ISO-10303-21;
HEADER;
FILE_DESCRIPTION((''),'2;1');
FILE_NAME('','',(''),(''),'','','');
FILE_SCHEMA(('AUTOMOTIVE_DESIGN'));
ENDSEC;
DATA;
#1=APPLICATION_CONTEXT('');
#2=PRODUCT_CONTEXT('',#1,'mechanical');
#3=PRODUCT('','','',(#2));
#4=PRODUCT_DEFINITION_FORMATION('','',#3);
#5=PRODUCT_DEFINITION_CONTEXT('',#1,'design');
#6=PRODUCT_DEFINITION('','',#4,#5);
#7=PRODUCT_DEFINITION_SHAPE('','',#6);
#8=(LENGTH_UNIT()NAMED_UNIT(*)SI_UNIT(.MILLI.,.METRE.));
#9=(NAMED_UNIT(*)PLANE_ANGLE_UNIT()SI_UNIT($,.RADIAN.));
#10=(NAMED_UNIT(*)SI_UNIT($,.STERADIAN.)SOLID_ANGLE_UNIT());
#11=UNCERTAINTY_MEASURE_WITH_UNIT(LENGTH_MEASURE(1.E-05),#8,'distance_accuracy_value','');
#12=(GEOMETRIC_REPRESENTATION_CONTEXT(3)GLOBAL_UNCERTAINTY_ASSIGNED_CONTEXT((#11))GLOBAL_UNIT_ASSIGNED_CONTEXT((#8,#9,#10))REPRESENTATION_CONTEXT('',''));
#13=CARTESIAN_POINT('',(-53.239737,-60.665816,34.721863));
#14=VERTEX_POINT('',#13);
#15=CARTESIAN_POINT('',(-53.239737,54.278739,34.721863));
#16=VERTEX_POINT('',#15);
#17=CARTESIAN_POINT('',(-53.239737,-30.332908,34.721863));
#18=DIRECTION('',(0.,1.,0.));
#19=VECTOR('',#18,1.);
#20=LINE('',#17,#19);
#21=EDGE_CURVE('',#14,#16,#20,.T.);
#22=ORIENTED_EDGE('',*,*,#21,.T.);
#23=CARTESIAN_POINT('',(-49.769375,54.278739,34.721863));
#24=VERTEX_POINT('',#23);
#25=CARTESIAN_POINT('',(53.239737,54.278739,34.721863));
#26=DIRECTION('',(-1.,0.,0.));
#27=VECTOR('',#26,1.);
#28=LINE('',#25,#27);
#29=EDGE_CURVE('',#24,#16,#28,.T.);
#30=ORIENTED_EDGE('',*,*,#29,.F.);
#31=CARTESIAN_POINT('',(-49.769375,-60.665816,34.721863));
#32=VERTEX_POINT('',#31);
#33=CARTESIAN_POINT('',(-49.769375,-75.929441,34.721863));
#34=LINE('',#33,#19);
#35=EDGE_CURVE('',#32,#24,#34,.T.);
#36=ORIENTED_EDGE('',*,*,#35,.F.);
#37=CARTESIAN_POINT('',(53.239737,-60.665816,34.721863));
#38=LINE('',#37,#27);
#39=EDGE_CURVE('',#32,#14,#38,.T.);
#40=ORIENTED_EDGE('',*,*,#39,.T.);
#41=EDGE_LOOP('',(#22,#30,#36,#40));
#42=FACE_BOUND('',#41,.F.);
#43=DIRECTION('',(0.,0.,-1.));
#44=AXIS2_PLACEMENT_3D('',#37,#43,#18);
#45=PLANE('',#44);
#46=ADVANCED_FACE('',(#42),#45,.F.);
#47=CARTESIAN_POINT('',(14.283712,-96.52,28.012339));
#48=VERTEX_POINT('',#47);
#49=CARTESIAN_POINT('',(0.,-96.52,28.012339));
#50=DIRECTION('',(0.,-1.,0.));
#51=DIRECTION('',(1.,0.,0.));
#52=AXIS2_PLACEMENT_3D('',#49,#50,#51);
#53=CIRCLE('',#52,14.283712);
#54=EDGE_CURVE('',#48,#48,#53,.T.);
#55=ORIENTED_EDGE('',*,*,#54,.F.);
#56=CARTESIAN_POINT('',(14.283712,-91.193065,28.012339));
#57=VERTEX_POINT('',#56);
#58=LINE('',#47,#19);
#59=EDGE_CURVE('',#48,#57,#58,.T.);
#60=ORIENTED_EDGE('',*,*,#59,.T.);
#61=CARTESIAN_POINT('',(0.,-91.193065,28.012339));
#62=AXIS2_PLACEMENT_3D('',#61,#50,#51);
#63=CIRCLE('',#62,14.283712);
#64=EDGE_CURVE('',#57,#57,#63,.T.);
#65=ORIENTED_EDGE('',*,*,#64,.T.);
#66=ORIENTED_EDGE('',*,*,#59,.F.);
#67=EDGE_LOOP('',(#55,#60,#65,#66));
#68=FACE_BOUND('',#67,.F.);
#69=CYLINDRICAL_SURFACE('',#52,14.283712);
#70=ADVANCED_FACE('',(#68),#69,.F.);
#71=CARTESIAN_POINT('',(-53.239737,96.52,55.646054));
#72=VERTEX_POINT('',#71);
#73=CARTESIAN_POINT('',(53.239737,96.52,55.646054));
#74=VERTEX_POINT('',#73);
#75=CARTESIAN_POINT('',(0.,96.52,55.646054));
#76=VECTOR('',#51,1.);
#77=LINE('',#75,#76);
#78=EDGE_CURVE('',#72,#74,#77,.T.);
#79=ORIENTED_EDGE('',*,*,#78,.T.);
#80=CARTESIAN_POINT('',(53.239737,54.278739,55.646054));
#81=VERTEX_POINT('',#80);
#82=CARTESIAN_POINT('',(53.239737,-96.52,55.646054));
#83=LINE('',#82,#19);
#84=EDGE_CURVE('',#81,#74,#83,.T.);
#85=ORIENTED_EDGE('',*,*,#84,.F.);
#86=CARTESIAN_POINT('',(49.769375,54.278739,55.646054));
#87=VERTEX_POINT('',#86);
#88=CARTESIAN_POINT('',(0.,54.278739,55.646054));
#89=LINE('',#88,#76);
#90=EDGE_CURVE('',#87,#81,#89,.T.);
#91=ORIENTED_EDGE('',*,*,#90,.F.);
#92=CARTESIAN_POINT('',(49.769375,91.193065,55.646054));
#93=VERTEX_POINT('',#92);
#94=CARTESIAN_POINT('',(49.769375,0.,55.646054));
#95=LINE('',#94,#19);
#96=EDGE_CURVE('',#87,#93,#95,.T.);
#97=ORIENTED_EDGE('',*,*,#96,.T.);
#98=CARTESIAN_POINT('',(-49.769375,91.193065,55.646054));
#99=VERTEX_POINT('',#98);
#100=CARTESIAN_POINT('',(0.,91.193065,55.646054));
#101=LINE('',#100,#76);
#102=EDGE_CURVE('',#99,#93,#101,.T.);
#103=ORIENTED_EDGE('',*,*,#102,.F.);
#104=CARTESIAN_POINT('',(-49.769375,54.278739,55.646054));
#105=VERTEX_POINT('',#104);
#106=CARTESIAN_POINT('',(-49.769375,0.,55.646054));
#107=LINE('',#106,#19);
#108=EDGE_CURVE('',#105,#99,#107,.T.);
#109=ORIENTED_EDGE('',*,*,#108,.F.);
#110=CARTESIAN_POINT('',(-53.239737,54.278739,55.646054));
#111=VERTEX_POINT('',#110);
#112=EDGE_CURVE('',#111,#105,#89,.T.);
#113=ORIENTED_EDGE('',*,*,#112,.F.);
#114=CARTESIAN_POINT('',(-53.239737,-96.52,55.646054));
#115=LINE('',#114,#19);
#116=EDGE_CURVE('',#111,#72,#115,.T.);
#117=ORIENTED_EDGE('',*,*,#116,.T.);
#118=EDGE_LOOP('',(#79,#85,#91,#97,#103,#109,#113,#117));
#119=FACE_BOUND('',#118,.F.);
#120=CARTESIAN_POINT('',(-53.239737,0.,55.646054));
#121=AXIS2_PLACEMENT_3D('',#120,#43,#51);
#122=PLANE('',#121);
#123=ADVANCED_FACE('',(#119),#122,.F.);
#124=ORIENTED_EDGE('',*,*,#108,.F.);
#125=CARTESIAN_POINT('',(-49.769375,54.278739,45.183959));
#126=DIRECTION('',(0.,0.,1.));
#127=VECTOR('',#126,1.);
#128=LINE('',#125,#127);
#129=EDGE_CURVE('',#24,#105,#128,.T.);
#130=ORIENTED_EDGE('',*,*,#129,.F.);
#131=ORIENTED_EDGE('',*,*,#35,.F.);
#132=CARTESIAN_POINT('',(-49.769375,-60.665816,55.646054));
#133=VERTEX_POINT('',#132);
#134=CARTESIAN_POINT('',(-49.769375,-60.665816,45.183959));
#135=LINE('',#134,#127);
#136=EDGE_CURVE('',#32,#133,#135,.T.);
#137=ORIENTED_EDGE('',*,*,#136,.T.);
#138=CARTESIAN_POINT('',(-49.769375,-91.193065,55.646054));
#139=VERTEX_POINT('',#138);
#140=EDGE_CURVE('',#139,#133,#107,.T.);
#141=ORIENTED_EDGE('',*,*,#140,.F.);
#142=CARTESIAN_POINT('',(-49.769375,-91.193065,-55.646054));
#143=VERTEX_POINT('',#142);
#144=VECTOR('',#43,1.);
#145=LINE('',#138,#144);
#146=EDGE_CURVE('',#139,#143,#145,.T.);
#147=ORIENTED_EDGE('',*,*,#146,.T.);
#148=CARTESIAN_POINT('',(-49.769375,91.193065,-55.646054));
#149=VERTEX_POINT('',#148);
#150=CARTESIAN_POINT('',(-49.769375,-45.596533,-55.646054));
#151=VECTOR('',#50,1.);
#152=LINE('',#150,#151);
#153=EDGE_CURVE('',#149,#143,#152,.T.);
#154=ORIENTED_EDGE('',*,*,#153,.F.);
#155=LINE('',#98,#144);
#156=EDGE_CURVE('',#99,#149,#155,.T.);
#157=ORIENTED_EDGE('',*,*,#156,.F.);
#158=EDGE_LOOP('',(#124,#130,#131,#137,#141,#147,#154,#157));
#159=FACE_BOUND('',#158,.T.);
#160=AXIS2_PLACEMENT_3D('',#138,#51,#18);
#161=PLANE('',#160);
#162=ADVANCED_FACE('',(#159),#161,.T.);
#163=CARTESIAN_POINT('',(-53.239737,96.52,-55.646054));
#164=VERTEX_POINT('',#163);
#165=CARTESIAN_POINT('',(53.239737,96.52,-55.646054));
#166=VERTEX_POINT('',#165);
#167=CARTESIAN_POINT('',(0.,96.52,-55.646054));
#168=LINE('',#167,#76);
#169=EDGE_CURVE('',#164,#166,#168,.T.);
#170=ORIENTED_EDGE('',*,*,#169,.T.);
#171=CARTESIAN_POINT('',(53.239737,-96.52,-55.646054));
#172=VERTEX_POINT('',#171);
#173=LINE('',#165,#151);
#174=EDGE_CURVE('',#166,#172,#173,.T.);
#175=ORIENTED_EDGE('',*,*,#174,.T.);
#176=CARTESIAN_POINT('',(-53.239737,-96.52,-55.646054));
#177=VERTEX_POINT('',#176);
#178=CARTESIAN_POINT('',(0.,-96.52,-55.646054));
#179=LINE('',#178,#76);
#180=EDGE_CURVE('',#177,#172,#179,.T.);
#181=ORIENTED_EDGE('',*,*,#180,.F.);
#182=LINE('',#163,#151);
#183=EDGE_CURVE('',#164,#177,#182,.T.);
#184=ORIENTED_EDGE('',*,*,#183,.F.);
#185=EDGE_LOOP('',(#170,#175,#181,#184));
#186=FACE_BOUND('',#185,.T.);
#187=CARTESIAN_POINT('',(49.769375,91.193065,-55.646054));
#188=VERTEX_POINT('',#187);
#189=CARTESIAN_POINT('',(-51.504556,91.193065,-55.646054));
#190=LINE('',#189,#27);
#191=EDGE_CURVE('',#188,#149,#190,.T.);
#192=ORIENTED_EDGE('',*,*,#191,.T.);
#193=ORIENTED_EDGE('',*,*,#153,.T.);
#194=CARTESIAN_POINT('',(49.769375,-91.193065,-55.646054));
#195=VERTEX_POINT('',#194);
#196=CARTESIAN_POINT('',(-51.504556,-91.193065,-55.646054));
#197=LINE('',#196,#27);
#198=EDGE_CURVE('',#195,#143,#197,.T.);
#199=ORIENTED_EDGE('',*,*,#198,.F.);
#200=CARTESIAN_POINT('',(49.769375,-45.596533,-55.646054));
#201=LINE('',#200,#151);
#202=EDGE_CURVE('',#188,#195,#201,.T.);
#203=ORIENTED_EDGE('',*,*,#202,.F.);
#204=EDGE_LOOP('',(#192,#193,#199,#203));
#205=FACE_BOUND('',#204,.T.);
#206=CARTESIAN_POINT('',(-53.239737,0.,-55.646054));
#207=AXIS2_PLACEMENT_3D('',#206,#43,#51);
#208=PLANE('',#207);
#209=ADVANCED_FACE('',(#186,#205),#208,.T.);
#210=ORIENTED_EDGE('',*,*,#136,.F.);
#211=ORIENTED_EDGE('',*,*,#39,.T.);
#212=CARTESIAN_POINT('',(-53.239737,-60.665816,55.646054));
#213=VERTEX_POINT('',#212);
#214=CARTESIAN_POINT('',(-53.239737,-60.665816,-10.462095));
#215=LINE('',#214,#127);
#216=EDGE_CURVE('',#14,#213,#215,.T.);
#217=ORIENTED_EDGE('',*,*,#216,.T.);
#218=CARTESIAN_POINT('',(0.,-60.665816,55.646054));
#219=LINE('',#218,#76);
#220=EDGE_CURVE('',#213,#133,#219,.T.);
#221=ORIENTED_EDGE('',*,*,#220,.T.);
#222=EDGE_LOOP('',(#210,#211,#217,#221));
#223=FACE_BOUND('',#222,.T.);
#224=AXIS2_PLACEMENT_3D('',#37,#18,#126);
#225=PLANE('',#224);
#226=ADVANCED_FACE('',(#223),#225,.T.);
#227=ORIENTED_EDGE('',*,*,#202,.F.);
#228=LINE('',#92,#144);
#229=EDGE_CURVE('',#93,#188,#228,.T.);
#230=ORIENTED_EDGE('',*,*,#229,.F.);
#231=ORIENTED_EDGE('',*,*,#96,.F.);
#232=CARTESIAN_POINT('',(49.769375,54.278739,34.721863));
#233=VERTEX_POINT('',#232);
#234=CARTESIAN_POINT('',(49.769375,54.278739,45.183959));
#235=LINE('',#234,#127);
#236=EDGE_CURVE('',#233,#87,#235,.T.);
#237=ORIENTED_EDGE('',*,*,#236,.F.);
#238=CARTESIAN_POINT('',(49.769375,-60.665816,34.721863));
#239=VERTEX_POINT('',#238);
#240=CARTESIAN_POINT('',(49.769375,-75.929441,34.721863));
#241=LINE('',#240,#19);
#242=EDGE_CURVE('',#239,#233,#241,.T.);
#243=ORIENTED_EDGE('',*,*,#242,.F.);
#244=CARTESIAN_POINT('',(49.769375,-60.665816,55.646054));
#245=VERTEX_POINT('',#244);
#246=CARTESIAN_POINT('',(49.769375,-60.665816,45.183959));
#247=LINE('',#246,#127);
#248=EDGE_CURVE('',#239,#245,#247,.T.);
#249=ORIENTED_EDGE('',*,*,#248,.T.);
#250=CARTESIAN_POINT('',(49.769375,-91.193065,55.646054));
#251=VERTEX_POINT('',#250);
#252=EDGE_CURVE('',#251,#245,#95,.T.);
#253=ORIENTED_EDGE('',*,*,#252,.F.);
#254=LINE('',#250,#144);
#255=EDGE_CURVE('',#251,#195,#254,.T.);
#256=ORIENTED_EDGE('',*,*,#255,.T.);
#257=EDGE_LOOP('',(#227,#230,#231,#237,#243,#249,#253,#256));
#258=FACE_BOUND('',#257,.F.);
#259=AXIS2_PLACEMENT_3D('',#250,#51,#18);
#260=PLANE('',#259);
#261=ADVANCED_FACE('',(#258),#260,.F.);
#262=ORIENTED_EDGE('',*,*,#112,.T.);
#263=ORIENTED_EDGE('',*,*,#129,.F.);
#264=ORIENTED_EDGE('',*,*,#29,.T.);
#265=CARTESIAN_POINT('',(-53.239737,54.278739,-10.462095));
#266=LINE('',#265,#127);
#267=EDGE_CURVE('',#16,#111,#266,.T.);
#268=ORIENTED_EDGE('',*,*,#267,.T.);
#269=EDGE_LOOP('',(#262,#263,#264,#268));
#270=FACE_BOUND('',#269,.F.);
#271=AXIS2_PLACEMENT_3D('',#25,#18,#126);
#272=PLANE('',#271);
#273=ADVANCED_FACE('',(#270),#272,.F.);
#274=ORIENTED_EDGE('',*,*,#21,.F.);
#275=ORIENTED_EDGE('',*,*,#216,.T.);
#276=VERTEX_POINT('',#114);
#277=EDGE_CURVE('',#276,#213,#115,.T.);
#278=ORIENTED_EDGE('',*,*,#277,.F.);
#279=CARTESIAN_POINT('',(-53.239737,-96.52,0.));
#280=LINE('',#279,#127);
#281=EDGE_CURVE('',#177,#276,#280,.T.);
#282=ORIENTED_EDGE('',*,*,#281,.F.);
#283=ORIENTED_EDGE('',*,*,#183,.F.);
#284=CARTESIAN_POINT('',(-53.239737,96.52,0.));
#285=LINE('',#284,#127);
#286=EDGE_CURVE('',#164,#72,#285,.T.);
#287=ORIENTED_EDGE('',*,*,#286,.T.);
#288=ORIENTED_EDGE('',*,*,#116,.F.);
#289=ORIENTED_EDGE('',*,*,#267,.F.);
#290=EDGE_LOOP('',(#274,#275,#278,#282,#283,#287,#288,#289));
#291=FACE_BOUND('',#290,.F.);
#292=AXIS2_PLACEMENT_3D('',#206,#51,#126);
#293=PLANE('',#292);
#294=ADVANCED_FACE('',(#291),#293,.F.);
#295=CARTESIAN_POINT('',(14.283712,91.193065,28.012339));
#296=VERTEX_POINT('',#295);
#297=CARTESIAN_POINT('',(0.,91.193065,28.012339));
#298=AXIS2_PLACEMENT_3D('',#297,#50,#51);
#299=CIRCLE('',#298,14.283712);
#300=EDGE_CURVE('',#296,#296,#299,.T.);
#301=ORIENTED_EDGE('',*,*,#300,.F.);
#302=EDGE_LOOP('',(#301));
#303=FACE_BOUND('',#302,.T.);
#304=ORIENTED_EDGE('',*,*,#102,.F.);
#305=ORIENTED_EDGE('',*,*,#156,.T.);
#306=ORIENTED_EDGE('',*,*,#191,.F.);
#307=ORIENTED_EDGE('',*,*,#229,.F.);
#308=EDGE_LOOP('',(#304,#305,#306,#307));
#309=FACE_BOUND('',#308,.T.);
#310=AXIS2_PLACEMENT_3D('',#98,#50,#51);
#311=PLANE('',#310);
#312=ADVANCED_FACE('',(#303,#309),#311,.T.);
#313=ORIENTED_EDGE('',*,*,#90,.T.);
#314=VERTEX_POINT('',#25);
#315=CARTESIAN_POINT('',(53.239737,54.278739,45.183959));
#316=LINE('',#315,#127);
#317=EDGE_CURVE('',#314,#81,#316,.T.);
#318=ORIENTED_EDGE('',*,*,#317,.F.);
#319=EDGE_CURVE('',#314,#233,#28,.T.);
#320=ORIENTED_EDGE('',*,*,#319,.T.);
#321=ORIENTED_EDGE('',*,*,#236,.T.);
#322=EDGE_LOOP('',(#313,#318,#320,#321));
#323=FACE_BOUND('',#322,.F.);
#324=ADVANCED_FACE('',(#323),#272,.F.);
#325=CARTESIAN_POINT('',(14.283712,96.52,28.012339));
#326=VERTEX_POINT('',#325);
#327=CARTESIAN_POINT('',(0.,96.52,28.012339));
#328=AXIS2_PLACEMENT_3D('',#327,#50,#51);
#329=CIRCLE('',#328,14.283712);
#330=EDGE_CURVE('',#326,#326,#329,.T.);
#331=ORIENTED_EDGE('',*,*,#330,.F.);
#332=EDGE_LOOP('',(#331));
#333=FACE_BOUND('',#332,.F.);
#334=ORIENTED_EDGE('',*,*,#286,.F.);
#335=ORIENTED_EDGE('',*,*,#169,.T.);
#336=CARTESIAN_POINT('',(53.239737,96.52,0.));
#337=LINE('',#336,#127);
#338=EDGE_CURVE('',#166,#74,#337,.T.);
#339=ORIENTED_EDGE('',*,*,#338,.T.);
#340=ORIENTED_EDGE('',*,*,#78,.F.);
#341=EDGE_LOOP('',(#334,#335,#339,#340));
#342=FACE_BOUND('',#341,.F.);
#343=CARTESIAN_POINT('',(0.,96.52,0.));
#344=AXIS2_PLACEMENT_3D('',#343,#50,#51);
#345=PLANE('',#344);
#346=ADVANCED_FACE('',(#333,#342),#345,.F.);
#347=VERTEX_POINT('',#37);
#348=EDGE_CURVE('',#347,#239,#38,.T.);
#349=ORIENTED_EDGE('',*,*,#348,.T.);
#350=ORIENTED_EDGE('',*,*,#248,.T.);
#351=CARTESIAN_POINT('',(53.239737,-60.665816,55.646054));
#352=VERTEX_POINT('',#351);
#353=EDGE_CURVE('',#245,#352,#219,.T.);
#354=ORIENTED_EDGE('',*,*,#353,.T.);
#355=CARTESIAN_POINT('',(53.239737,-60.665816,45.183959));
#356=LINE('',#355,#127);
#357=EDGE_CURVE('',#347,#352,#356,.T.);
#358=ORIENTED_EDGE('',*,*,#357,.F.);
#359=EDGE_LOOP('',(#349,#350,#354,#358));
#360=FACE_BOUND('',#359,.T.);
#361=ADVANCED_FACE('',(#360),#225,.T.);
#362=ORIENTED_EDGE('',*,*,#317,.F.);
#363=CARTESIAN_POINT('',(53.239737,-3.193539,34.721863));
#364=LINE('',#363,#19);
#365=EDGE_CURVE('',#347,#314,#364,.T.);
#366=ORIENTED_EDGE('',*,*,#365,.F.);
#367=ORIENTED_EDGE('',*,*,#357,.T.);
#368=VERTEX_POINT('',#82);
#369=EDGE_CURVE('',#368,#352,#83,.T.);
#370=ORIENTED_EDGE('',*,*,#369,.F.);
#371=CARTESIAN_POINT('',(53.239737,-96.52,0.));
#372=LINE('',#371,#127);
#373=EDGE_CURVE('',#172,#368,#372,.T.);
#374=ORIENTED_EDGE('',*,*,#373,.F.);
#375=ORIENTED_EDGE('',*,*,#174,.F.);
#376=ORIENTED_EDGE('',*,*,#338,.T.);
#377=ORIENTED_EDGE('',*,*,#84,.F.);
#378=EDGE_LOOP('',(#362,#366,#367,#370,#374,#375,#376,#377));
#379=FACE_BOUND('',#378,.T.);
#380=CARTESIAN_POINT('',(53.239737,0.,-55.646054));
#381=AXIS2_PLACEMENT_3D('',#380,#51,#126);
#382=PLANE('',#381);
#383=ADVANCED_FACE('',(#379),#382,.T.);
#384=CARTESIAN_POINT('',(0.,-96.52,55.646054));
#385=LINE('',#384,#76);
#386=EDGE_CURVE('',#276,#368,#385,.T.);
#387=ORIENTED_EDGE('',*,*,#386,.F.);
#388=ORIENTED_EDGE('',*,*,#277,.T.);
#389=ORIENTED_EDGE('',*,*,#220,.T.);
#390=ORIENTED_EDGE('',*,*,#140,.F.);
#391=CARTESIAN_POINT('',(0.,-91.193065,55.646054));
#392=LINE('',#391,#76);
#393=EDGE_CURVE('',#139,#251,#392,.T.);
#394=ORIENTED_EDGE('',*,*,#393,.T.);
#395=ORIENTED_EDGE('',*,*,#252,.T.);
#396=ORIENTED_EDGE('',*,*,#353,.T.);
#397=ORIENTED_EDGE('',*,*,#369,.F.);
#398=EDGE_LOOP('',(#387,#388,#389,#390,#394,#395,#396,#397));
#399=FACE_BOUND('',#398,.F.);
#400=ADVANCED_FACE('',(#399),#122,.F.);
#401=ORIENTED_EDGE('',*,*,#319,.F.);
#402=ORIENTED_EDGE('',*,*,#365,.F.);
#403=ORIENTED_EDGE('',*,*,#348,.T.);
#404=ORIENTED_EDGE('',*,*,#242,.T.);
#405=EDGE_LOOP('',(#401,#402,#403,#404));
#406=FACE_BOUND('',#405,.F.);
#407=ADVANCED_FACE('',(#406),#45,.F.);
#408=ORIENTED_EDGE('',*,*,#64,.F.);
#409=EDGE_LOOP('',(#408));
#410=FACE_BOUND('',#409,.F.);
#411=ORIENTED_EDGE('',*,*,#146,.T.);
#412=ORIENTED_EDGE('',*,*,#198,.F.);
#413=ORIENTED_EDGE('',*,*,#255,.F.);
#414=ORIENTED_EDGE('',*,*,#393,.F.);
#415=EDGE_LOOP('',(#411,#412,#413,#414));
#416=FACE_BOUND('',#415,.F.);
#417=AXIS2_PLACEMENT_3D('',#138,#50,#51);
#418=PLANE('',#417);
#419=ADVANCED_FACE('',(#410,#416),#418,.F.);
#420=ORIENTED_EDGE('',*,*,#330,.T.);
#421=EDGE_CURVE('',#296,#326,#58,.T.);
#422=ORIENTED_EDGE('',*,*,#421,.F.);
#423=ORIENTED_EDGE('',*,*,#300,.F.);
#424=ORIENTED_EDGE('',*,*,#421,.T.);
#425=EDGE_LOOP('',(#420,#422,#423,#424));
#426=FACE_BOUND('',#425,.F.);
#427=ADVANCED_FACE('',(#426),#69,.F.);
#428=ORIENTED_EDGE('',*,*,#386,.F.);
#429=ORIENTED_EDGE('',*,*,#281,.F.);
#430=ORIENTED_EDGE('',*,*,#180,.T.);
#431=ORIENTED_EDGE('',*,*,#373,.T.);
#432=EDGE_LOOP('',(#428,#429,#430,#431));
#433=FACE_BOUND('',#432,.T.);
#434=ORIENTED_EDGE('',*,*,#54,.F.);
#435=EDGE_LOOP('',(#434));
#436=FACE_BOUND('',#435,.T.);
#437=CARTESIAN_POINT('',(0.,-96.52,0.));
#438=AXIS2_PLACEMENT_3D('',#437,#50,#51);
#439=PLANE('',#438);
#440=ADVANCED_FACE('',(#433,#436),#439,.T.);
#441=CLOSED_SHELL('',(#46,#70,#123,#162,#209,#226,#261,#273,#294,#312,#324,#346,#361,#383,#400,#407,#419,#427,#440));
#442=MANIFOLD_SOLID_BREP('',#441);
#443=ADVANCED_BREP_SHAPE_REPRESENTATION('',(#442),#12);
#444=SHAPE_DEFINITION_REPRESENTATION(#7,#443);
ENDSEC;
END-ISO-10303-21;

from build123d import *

# Parameters (mm, degrees)
F0_W     = 106.479474
F0_H     = 111.292108
F1_DEPTH = 96.52
F2_W     = 99.53875
F2_H     = 182.38613
F3_DEPTH = 181.356
F4_W     = 114.944555
F4_H     = 20.924191
F5_DEPTH = 135.128
F6_R     = 14.283712
F7_DEPTH = 257.302


with BuildPart() as f1:
    # F0 (on Front) → F1 (new body, symmetric)
    with BuildSketch(Plane.XZ):
        Rectangle(F0_W, F0_H)
    extrude(amount=F1_DEPTH, both=True)

    # F2 (on face) → F3 (cut)
    with BuildSketch(Plane.XY.offset(55.646054)):
        Rectangle(F2_W, F2_H)
    extrude(amount=-F3_DEPTH, mode=Mode.SUBTRACT)

    # F4 (on face) → F5 (cut)
    with BuildSketch(Plane.YZ.offset(53.239737)):
        with Locations((-3.193539, 45.183959)):
            Rectangle(F4_W, F4_H)
    extrude(amount=-F5_DEPTH, mode=Mode.SUBTRACT)

    # F6 (on face) → F7 (cut)
    with BuildSketch(Plane.XZ.offset(96.52)):
        with Locations((0, 28.012339)):
            Circle(F6_R)
    extrude(amount=-F7_DEPTH, mode=Mode.SUBTRACT)


solid = f1.part
